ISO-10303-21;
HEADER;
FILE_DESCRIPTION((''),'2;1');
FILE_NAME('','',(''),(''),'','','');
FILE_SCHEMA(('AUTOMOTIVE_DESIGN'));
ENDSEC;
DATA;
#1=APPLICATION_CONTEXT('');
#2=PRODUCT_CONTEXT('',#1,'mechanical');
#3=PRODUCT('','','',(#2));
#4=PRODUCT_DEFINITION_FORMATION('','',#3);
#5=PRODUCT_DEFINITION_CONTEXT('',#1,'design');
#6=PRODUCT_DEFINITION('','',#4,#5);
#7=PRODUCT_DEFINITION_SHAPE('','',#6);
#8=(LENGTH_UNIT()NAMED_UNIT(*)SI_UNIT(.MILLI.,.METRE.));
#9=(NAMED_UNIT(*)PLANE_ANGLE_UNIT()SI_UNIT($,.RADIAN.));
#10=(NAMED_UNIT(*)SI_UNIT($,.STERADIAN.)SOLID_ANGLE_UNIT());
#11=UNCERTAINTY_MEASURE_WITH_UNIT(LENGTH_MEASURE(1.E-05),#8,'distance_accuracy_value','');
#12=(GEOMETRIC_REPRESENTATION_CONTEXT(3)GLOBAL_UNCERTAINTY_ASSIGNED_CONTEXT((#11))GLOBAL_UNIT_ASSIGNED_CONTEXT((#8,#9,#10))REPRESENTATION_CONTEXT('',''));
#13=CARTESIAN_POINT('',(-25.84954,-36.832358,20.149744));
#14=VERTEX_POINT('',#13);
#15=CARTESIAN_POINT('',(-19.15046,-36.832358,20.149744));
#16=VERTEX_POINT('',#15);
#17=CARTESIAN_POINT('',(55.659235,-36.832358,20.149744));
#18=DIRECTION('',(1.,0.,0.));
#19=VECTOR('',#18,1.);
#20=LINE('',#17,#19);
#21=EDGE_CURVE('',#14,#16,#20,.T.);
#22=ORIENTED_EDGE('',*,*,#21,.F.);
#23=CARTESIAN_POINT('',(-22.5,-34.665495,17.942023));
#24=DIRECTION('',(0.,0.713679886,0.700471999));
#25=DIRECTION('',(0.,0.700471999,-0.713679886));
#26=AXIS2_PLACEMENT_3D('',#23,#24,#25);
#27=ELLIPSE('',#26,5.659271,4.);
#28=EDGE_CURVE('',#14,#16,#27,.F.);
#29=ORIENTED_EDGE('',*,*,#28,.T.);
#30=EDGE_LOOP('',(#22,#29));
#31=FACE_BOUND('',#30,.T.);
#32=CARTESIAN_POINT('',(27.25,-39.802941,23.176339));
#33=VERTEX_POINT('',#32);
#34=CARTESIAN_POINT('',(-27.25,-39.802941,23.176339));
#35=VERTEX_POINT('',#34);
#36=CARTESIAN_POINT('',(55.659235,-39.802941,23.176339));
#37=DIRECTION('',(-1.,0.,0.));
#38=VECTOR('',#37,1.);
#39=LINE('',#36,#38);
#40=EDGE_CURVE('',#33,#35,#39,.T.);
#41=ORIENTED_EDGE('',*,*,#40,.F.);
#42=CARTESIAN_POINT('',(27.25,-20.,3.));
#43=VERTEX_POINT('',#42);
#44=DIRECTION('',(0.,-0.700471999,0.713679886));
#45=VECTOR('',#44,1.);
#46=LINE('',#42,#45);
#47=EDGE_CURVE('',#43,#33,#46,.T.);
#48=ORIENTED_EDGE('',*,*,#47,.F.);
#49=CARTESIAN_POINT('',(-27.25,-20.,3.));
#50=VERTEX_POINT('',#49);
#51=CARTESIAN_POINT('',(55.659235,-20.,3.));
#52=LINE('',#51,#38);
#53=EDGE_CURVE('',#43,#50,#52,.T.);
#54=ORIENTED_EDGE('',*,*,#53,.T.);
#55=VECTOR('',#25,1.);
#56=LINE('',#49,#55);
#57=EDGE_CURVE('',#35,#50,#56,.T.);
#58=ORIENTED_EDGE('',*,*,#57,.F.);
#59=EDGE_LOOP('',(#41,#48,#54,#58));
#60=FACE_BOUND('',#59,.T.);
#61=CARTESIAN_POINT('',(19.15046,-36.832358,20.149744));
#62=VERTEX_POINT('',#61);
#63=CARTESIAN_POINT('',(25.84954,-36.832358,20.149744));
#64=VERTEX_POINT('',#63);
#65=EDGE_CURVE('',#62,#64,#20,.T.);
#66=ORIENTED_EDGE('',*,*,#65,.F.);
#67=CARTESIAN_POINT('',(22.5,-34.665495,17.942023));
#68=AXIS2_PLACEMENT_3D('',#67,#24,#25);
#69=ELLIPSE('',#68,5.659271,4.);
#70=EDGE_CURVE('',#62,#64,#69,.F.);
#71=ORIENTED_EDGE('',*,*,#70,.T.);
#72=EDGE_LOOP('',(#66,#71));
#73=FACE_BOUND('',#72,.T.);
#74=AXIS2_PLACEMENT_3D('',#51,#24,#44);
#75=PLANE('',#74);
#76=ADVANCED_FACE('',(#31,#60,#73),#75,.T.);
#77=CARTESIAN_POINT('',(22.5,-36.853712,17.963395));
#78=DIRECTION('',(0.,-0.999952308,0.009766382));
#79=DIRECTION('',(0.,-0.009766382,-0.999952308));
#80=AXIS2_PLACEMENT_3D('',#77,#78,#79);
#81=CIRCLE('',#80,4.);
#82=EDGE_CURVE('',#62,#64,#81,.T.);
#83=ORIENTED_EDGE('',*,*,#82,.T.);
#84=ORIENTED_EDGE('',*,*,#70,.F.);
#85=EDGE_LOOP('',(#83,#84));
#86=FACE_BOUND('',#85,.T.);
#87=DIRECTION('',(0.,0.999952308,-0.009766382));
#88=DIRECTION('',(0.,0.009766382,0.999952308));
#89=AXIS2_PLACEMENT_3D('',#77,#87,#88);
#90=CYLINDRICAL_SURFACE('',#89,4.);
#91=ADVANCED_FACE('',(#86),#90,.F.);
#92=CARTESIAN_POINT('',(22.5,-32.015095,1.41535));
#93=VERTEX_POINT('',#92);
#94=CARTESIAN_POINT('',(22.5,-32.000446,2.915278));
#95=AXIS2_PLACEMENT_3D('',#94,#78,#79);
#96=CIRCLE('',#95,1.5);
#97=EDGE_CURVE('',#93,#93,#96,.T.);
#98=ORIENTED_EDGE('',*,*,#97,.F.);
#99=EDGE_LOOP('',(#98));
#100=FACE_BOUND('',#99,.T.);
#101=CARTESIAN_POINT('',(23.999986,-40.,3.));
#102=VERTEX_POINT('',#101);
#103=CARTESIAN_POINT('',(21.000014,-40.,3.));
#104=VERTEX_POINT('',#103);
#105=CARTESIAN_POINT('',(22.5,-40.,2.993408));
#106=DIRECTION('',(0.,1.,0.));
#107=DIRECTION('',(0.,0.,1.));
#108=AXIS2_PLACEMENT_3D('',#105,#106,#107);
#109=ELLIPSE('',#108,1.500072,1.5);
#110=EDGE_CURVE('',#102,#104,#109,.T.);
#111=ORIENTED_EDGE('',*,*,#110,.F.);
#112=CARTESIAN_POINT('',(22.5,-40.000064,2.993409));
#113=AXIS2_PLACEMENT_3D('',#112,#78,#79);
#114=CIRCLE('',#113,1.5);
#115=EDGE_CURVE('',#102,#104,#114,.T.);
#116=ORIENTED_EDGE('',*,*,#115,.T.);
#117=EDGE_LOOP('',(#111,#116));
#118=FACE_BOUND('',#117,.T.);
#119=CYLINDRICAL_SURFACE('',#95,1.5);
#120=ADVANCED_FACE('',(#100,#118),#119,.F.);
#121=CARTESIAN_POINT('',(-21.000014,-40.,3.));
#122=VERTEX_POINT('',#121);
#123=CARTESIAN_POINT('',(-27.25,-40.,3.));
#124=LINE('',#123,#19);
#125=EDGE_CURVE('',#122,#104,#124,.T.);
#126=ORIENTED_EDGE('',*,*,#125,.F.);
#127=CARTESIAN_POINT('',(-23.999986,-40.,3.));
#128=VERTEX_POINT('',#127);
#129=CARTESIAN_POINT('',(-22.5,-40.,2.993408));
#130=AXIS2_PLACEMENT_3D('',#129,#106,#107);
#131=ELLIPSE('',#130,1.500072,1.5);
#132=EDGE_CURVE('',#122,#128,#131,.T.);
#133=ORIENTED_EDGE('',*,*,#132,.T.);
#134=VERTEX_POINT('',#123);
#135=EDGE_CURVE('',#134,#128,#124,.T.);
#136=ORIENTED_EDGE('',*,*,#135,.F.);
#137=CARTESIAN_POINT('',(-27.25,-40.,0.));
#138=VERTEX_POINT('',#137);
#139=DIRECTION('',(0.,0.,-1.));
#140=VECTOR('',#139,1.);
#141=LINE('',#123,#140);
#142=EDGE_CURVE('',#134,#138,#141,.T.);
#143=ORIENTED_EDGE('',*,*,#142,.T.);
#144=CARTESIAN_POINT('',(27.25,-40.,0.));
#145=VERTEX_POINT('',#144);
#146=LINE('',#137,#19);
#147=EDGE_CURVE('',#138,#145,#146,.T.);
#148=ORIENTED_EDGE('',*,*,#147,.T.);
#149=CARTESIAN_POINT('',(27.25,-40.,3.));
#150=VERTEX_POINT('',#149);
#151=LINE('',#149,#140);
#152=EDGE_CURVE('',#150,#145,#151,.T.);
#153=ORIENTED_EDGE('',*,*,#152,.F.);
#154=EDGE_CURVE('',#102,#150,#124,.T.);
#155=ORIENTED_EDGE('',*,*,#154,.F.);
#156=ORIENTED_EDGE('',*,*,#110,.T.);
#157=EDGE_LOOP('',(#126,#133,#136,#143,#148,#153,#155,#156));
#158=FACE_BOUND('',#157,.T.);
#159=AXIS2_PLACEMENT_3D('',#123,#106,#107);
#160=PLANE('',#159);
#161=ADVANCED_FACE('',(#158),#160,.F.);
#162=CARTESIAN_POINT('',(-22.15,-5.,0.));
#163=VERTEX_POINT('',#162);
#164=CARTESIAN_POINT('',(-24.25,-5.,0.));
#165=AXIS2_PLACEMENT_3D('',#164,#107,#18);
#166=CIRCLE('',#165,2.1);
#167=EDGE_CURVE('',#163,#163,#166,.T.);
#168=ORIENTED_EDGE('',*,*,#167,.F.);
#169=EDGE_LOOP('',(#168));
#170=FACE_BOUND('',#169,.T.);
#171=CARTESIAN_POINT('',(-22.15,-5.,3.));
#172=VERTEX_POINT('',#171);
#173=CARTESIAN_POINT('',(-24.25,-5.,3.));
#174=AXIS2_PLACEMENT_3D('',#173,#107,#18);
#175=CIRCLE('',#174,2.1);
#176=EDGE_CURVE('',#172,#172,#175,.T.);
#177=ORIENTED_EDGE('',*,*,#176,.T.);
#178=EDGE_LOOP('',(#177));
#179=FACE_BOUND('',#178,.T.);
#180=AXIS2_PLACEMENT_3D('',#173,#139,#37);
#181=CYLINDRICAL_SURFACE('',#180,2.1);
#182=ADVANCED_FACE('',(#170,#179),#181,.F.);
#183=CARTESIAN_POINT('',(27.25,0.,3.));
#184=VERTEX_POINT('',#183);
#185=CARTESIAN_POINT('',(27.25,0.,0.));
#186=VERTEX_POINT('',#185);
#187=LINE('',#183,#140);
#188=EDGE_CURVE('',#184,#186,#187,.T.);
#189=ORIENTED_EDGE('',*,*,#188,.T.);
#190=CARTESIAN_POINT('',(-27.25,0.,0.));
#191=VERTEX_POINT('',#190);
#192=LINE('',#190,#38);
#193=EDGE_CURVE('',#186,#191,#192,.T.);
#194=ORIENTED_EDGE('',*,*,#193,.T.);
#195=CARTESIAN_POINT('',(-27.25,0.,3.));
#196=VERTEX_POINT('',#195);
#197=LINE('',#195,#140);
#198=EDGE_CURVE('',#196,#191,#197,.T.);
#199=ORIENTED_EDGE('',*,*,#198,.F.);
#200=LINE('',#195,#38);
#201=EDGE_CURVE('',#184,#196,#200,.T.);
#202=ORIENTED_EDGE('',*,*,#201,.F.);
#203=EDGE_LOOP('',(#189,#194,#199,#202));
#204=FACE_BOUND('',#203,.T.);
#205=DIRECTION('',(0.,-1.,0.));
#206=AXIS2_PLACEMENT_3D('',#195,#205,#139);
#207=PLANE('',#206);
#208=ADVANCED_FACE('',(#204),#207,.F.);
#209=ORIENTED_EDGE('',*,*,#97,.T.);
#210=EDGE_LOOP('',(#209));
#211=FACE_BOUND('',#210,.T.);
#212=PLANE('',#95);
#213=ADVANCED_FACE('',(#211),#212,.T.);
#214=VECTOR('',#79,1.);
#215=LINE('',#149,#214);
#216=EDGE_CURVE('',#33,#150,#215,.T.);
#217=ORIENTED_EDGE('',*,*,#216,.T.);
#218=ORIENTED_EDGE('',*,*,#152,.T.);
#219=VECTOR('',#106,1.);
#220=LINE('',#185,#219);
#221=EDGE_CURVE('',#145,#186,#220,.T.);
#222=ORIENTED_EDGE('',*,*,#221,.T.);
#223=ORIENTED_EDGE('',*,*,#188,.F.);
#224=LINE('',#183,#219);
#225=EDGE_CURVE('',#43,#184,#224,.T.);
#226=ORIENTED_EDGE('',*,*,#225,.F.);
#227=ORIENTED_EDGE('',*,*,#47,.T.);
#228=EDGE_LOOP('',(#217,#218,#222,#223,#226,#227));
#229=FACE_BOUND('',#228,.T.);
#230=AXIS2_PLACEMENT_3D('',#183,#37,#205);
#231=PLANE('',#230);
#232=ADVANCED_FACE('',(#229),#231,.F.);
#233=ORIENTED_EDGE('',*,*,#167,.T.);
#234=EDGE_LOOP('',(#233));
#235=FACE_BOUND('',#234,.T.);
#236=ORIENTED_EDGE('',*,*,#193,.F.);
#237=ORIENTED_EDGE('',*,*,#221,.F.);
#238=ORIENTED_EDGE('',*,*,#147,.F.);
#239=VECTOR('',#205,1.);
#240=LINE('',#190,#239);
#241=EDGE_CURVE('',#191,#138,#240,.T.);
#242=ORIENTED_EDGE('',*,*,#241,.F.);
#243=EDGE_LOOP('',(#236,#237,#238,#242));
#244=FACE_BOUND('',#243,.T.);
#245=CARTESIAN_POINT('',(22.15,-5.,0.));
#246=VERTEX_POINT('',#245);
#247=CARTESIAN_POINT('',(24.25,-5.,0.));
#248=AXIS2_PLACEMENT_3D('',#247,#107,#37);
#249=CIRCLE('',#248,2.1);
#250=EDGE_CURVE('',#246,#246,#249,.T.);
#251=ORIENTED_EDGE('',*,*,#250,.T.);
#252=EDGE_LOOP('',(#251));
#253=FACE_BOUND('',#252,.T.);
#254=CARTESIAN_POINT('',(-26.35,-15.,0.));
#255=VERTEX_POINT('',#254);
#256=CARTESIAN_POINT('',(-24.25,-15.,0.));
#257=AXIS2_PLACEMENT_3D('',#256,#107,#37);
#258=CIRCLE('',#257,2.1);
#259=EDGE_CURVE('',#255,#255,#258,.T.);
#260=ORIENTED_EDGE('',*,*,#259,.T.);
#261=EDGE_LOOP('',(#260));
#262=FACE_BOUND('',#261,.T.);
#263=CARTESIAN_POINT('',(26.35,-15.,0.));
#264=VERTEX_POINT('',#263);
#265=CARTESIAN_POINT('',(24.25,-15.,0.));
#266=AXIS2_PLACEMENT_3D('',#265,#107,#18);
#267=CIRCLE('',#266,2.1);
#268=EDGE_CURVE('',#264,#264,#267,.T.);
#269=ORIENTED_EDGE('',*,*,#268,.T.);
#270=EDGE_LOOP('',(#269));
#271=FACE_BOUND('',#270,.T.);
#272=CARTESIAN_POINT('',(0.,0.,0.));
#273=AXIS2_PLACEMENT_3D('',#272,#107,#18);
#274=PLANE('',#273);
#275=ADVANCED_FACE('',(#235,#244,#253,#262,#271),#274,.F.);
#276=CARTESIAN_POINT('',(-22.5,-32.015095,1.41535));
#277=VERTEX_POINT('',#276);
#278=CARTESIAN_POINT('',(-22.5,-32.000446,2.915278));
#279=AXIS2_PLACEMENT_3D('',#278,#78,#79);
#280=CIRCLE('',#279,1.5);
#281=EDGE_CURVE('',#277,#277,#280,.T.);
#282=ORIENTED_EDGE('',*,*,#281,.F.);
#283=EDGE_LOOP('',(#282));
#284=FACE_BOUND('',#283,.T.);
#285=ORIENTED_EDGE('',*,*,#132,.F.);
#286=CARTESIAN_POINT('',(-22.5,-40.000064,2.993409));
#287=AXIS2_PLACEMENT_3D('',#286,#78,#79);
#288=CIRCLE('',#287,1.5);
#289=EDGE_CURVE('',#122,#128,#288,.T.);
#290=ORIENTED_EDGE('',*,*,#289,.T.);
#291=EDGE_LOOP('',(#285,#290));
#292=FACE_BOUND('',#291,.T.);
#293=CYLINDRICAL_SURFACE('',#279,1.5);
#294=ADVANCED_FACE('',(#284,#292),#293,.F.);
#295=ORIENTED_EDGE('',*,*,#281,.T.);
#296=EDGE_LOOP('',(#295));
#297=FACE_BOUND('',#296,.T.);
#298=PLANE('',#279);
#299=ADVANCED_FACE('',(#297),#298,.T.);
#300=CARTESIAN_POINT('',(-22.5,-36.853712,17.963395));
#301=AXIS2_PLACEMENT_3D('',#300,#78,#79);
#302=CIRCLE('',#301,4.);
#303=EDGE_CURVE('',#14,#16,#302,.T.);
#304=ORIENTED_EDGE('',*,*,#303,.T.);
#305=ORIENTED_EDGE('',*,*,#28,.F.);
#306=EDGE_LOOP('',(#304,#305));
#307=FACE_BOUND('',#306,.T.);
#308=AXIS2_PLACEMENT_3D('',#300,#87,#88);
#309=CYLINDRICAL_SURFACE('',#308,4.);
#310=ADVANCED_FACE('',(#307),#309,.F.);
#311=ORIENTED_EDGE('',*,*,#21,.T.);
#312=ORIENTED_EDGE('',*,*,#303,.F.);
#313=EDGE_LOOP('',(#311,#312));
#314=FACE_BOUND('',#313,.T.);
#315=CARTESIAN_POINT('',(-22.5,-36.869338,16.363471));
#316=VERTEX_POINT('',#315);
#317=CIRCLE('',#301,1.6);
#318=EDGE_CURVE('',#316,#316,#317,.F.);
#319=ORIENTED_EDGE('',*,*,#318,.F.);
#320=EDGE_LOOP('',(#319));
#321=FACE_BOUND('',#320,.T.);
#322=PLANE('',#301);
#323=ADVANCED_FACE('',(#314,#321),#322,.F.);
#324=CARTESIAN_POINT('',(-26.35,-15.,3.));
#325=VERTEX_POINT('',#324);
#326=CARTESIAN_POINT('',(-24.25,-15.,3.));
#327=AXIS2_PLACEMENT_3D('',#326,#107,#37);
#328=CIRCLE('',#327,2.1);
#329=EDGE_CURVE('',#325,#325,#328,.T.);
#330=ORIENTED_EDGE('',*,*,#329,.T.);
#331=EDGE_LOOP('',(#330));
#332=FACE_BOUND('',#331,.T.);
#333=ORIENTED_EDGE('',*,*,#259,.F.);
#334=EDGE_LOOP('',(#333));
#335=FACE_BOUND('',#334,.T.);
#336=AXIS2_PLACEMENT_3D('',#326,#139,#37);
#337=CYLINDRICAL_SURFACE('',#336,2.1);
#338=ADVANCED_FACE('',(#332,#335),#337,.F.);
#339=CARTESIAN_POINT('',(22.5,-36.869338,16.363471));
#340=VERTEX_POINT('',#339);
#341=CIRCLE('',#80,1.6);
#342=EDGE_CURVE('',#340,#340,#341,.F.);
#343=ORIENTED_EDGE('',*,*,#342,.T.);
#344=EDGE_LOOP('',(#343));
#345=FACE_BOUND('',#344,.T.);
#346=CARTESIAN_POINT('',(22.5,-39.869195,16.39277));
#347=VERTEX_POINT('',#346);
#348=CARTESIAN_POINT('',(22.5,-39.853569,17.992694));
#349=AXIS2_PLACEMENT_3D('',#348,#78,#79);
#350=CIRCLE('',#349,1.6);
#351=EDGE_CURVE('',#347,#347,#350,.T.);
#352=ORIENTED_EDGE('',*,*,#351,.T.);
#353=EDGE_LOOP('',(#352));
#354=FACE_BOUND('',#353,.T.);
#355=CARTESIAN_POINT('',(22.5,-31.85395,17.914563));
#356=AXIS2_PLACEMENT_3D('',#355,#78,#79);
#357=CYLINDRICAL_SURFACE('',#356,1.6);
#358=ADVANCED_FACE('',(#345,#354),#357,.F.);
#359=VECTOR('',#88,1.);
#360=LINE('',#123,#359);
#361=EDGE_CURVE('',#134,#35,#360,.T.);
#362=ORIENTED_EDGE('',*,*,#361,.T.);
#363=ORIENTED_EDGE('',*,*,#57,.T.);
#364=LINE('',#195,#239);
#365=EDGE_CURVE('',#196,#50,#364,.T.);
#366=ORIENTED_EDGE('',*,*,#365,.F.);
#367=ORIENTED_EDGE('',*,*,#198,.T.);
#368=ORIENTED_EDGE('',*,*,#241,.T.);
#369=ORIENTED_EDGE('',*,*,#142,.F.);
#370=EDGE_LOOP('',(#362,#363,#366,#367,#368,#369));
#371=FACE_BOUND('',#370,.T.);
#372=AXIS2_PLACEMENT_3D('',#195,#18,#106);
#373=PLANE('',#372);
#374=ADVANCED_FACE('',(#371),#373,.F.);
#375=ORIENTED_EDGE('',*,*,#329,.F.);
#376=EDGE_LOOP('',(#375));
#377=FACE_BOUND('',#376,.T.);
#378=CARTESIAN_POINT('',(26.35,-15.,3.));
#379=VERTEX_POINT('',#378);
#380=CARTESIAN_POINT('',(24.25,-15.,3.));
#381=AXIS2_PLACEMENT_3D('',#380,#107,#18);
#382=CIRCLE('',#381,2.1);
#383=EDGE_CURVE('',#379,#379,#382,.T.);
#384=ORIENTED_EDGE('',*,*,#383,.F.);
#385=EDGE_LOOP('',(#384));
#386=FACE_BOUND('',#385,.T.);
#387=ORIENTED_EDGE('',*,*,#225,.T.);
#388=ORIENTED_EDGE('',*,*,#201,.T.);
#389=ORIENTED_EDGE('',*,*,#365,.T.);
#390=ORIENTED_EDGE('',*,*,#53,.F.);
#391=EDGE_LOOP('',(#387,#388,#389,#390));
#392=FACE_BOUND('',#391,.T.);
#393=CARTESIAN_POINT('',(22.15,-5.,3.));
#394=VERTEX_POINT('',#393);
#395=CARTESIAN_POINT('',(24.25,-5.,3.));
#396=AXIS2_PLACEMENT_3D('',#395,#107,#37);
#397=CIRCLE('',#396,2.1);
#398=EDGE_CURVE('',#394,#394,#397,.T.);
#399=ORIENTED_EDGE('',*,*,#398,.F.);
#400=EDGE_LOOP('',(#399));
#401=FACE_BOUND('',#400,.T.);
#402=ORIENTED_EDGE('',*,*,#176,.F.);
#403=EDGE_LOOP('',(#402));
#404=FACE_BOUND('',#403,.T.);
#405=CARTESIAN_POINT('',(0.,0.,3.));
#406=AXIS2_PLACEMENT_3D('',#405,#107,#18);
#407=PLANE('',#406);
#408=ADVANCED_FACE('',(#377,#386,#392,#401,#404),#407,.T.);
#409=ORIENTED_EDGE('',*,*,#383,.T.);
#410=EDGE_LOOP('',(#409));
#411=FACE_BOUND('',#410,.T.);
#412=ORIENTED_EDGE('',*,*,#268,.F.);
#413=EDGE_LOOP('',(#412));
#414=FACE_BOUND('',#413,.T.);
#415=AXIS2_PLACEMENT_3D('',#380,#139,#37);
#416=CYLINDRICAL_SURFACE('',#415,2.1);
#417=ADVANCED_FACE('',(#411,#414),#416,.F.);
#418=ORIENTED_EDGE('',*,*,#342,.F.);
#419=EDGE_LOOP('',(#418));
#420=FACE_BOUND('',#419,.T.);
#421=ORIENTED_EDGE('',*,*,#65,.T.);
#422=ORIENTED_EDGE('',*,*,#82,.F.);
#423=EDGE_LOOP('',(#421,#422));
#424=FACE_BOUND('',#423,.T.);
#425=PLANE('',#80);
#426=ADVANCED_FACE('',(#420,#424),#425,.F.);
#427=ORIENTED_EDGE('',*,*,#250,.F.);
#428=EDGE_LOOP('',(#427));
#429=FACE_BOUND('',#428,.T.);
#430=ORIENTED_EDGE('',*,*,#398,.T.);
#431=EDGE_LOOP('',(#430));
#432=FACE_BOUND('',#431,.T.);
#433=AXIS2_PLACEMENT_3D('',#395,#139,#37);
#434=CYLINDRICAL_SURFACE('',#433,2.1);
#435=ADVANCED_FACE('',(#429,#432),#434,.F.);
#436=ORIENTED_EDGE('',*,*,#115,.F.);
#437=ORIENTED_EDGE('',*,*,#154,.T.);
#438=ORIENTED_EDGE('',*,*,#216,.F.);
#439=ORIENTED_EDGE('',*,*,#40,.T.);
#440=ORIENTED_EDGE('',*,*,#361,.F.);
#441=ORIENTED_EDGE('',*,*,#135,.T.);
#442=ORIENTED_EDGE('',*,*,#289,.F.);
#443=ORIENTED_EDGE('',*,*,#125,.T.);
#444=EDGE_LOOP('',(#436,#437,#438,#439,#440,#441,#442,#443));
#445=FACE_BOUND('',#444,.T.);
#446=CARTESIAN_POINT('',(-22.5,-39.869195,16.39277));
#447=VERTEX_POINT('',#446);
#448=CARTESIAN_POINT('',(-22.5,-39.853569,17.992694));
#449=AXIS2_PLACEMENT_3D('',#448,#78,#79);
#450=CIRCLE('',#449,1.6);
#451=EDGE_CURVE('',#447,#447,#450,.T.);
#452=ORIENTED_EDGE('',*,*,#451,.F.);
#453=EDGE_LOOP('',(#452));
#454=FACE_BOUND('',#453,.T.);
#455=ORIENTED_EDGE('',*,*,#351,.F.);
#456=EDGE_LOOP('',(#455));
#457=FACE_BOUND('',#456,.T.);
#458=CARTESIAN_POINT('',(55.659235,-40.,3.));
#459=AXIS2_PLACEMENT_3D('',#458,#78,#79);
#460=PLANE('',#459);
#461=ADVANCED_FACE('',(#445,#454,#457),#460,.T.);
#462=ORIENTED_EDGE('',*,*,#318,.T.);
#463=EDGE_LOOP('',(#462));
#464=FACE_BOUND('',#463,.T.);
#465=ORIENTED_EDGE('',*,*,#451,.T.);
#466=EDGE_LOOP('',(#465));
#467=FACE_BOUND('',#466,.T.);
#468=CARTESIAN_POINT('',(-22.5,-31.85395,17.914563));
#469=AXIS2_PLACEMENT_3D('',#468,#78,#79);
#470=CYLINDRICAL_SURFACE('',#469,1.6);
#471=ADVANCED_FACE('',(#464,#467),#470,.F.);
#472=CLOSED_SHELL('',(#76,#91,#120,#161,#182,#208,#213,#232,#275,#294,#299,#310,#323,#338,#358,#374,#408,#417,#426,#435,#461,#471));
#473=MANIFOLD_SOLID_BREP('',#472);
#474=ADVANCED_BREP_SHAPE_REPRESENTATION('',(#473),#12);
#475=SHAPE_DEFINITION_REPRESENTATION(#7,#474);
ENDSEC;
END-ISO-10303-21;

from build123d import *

# Parameters (mm, degrees)
SKETCH_1_W          = 54.5
SKETCH_1_H          = 40
SKETCH_1_R          = 2.1
EXTRUDE_1_DEPTH     = 3
EXTRUDE_2_DEPTH     = 54.5
SKETCH_3_R          = 1.5
SKETCH_3_R_2        = 1.6
CUT_EXTRUDE_1_DEPTH = 8
CUT_EXTRUDE_START   = -10
SKETCH_4_R          = 4
CUT_EXTRUDE_2_DEPTH = 7


with BuildPart() as part:
    # 草图1 → 凸台-拉伸1 (new body)
    with BuildSketch(Plane.XY):
        with Locations((0, -20)):
            Rectangle(SKETCH_1_W, SKETCH_1_H)
        with Locations((-24.25, -5)):
            Circle(SKETCH_1_R, mode=Mode.SUBTRACT)
        with Locations(Location((24.25, -5, 0), (0, 0, 180))):
            Circle(SKETCH_1_R, mode=Mode.SUBTRACT)
        with Locations((24.25, -15)):
            Circle(SKETCH_1_R, mode=Mode.SUBTRACT)
        with Locations(Location((-24.25, -15, 0), (0, 0, 180))):
            Circle(SKETCH_1_R, mode=Mode.SUBTRACT)
    extrude(amount=EXTRUDE_1_DEPTH)

    # 草图2 → 凸台-拉伸2 (add)
    with BuildSketch(Plane.ZY.offset(27.25)):
        Polygon((3, -20), (23.176339002, -39.802940776), (3, -40), align=None)
    extrude(amount=-EXTRUDE_2_DEPTH)

    # 草图3 → 切除-拉伸1 (cut)
    with BuildSketch(Plane(origin=(0, -40.025482459, 0.390922779), x_dir=(1, 0, 0), z_dir=(0, -0.9999523077580083, 0.009766381593687423))):
        with Locations(Location((-22.5, 2.602610467, 0), (0, 0, 270))):
            Circle(SKETCH_3_R)
        with Locations(Location((-22.5, 17.602610467, 0), (0, 0, 270))):
            Circle(SKETCH_3_R_2)
        with Locations(Location((22.5, 17.602610467, 0), (0, 0, 270))):
            Circle(SKETCH_3_R_2)
        with Locations(Location((22.5, 2.602610467, 0), (0, 0, 270))):
            Circle(SKETCH_3_R)
    extrude(amount=-CUT_EXTRUDE_1_DEPTH, mode=Mode.SUBTRACT)

    # 草图4 → 切除-拉伸2 (cut)
    with BuildSketch(Plane(origin=(0, -40.025482459, 0.390922779), x_dir=(1, 0, 0), z_dir=(0, -0.9999523077580083, 0.009766381593687423)).offset(CUT_EXTRUDE_START)):
        with Locations((-22.5, 17.602610467)):
            Circle(SKETCH_4_R)
        with Locations((22.5, 17.602610467)):
            Circle(SKETCH_4_R)
    extrude(amount=CUT_EXTRUDE_2_DEPTH, mode=Mode.SUBTRACT)


solid = part.part
